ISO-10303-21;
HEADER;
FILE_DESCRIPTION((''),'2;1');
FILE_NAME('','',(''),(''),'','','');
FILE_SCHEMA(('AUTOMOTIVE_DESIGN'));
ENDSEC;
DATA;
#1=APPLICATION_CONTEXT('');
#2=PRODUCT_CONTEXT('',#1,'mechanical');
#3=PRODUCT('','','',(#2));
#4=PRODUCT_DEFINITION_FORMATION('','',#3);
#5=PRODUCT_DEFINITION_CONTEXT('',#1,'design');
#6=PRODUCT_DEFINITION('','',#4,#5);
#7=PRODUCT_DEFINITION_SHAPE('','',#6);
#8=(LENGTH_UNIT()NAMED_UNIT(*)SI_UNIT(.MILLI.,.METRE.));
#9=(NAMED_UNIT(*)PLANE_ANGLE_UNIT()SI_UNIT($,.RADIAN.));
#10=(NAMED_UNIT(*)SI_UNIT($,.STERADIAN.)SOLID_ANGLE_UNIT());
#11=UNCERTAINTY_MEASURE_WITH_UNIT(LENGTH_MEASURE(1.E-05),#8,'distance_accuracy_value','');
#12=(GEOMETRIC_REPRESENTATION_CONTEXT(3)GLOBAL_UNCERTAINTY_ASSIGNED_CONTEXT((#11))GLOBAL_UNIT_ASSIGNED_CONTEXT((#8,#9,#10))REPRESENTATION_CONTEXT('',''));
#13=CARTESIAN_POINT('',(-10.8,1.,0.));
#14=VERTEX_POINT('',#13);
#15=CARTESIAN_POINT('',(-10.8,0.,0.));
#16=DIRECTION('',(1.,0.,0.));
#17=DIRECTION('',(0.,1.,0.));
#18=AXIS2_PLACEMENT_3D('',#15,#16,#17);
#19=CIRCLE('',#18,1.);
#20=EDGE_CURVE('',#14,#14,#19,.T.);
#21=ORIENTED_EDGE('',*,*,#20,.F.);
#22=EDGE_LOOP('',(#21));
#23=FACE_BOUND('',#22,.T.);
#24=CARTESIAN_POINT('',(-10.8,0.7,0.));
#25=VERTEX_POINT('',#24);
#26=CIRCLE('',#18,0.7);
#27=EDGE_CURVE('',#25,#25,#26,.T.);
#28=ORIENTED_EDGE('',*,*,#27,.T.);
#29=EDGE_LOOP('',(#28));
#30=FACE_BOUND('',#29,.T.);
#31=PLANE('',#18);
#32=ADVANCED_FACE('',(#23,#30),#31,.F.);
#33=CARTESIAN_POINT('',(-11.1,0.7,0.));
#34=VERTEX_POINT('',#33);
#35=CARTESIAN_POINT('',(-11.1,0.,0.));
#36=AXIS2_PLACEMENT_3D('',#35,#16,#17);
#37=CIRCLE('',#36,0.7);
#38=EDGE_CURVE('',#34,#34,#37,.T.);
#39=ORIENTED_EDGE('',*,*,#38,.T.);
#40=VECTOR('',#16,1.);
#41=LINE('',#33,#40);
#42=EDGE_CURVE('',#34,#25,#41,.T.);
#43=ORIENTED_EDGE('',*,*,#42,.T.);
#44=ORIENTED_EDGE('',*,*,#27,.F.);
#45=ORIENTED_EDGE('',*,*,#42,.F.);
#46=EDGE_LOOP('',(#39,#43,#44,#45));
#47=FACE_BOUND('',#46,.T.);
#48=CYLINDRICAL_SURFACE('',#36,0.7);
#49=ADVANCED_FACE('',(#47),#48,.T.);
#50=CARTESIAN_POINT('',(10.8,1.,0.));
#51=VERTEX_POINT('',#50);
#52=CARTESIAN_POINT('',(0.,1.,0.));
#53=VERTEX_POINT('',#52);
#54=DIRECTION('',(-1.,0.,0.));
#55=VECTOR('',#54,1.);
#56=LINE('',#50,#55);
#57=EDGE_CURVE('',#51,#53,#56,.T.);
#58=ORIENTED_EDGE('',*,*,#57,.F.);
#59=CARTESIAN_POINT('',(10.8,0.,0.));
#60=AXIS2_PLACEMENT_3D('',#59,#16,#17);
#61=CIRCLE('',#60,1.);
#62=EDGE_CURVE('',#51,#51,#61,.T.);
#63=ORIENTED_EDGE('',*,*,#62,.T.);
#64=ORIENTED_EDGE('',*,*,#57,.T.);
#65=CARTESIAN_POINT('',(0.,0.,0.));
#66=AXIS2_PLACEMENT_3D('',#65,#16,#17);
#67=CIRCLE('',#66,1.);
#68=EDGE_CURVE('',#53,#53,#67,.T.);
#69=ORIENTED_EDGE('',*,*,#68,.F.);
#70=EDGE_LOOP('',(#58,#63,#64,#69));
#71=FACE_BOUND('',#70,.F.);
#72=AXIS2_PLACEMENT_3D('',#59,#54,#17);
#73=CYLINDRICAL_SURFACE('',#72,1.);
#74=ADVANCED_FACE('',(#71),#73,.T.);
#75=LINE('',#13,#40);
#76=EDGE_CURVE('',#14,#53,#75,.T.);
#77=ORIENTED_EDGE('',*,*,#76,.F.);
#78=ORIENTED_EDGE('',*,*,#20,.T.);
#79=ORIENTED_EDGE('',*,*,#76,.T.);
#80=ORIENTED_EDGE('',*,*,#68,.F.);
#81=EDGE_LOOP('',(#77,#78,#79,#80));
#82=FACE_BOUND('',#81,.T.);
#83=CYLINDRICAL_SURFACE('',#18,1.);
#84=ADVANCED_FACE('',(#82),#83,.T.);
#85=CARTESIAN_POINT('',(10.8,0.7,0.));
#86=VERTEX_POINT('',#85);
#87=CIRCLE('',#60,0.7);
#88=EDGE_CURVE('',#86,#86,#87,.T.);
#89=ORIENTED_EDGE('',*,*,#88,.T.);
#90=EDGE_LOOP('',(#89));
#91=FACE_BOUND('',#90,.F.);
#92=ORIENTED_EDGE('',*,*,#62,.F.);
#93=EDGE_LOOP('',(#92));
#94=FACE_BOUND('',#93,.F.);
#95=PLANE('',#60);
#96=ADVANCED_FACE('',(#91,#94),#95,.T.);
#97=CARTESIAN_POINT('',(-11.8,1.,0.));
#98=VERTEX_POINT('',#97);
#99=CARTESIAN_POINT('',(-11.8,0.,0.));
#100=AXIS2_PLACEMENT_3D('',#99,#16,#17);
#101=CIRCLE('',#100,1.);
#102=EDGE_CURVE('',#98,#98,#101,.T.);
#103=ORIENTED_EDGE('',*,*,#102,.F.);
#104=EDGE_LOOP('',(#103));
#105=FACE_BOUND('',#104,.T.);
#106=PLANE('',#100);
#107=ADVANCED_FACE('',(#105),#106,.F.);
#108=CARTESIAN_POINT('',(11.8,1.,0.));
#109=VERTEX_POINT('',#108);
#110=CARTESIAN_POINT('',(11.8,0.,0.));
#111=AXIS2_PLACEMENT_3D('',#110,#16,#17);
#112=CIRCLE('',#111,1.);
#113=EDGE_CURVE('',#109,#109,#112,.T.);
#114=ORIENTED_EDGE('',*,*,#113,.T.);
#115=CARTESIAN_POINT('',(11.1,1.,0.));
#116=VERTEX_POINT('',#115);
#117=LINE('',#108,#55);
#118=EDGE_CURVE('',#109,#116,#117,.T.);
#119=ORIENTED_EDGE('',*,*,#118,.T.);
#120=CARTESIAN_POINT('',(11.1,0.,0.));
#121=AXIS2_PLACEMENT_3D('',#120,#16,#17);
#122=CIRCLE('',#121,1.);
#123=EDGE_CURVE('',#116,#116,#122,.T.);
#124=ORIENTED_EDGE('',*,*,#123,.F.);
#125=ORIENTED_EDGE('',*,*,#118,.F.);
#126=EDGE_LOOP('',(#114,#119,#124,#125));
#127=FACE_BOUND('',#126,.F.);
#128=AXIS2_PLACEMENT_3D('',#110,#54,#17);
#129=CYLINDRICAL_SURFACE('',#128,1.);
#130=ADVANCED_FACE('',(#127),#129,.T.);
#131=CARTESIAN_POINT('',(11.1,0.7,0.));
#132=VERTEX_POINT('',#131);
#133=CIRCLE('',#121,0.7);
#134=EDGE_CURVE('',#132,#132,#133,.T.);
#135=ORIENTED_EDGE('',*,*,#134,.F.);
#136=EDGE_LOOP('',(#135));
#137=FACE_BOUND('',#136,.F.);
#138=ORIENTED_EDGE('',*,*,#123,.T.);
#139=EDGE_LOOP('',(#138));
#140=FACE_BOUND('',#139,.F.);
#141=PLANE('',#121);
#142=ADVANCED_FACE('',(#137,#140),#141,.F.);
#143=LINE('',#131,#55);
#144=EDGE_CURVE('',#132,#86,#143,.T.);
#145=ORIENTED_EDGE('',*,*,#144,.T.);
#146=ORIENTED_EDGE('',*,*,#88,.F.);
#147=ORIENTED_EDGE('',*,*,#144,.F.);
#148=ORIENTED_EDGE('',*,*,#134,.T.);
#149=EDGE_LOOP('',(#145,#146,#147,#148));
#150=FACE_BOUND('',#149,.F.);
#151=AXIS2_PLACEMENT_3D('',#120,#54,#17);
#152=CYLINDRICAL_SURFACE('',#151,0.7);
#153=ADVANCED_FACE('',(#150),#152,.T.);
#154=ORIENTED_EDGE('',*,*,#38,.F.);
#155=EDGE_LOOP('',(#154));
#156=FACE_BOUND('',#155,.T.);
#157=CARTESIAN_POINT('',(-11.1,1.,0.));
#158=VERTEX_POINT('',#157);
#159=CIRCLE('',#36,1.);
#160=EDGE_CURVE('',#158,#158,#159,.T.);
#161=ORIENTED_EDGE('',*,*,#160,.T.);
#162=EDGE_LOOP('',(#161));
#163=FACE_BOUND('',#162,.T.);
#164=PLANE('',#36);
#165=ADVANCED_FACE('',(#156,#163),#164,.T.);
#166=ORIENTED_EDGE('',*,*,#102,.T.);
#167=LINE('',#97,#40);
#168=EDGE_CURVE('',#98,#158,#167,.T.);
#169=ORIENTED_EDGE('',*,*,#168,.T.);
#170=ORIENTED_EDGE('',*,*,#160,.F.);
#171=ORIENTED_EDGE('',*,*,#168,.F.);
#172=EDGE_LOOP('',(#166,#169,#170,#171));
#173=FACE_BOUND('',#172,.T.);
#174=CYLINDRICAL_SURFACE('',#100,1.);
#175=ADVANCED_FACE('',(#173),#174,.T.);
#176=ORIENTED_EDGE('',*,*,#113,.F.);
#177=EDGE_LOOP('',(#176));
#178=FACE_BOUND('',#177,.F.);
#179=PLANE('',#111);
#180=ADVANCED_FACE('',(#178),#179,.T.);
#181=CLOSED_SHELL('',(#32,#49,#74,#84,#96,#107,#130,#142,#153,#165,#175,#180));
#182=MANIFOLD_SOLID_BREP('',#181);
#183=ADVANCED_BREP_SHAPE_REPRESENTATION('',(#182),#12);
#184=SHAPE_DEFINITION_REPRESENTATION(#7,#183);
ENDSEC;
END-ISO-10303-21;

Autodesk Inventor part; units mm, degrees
ref_plane "YZ Plane" through (0, 0, 0) normal (1, 0, 0) x (0, 1, 0)
ref_plane "XZ Plane" through (0, 0, 0) normal (0, 1, 0) x (-1, 0, 0)
ref_plane "XY Plane" through (0, 0, 0) normal (0, 0, 1) x (1, 0, 0)
sketch "Sketch1" plane through (0, 0, 0) normal (0, 0, 1) x (1, 0, 0)
  line L0 (-11.8, 0) -> (11.8, 0)
  line L1 (-11.8, 0) -> (-11.8, 1)
  line L2 (-11.8, 1) -> (-11.1, 1)
  line L3 (-11.1, 1) -> (-11.1, 0.7)
  line L4 (-11.1, 0.7) -> (-10.8, 0.7)
  line L5 (-10.8, 0.7) -> (-10.8, 1)
  line L6 (-10.8, 1) -> (0, 1)
  line L7 (0, 0) -> (0, 5.9631) construction
  line L8 (11.8, 0) -> (11.8, 1)
  line L9 (11.8, 1) -> (11.1, 1)
  line L10 (11.1, 1) -> (11.1, 0.7)
  line L11 (11.1, 0.7) -> (10.8, 0.7)
  line L12 (10.8, 0.7) -> (10.8, 1)
  line L13 (10.8, 1) -> (0, 1)
  dimension "d0" = 23.6
  dimension "d1" = 0.3
  dimension "d2" = 21.6
  dimension "d3" = 2
  dimension "d4" = 1.4
revolve "Revolution1" add sketch "Sketch1" angle 360 about axis through (-11.8, 0, 0) along (1, 0, 0)
properties part number "trolley_tendon_long_shaft" material "Stainless Steel"
